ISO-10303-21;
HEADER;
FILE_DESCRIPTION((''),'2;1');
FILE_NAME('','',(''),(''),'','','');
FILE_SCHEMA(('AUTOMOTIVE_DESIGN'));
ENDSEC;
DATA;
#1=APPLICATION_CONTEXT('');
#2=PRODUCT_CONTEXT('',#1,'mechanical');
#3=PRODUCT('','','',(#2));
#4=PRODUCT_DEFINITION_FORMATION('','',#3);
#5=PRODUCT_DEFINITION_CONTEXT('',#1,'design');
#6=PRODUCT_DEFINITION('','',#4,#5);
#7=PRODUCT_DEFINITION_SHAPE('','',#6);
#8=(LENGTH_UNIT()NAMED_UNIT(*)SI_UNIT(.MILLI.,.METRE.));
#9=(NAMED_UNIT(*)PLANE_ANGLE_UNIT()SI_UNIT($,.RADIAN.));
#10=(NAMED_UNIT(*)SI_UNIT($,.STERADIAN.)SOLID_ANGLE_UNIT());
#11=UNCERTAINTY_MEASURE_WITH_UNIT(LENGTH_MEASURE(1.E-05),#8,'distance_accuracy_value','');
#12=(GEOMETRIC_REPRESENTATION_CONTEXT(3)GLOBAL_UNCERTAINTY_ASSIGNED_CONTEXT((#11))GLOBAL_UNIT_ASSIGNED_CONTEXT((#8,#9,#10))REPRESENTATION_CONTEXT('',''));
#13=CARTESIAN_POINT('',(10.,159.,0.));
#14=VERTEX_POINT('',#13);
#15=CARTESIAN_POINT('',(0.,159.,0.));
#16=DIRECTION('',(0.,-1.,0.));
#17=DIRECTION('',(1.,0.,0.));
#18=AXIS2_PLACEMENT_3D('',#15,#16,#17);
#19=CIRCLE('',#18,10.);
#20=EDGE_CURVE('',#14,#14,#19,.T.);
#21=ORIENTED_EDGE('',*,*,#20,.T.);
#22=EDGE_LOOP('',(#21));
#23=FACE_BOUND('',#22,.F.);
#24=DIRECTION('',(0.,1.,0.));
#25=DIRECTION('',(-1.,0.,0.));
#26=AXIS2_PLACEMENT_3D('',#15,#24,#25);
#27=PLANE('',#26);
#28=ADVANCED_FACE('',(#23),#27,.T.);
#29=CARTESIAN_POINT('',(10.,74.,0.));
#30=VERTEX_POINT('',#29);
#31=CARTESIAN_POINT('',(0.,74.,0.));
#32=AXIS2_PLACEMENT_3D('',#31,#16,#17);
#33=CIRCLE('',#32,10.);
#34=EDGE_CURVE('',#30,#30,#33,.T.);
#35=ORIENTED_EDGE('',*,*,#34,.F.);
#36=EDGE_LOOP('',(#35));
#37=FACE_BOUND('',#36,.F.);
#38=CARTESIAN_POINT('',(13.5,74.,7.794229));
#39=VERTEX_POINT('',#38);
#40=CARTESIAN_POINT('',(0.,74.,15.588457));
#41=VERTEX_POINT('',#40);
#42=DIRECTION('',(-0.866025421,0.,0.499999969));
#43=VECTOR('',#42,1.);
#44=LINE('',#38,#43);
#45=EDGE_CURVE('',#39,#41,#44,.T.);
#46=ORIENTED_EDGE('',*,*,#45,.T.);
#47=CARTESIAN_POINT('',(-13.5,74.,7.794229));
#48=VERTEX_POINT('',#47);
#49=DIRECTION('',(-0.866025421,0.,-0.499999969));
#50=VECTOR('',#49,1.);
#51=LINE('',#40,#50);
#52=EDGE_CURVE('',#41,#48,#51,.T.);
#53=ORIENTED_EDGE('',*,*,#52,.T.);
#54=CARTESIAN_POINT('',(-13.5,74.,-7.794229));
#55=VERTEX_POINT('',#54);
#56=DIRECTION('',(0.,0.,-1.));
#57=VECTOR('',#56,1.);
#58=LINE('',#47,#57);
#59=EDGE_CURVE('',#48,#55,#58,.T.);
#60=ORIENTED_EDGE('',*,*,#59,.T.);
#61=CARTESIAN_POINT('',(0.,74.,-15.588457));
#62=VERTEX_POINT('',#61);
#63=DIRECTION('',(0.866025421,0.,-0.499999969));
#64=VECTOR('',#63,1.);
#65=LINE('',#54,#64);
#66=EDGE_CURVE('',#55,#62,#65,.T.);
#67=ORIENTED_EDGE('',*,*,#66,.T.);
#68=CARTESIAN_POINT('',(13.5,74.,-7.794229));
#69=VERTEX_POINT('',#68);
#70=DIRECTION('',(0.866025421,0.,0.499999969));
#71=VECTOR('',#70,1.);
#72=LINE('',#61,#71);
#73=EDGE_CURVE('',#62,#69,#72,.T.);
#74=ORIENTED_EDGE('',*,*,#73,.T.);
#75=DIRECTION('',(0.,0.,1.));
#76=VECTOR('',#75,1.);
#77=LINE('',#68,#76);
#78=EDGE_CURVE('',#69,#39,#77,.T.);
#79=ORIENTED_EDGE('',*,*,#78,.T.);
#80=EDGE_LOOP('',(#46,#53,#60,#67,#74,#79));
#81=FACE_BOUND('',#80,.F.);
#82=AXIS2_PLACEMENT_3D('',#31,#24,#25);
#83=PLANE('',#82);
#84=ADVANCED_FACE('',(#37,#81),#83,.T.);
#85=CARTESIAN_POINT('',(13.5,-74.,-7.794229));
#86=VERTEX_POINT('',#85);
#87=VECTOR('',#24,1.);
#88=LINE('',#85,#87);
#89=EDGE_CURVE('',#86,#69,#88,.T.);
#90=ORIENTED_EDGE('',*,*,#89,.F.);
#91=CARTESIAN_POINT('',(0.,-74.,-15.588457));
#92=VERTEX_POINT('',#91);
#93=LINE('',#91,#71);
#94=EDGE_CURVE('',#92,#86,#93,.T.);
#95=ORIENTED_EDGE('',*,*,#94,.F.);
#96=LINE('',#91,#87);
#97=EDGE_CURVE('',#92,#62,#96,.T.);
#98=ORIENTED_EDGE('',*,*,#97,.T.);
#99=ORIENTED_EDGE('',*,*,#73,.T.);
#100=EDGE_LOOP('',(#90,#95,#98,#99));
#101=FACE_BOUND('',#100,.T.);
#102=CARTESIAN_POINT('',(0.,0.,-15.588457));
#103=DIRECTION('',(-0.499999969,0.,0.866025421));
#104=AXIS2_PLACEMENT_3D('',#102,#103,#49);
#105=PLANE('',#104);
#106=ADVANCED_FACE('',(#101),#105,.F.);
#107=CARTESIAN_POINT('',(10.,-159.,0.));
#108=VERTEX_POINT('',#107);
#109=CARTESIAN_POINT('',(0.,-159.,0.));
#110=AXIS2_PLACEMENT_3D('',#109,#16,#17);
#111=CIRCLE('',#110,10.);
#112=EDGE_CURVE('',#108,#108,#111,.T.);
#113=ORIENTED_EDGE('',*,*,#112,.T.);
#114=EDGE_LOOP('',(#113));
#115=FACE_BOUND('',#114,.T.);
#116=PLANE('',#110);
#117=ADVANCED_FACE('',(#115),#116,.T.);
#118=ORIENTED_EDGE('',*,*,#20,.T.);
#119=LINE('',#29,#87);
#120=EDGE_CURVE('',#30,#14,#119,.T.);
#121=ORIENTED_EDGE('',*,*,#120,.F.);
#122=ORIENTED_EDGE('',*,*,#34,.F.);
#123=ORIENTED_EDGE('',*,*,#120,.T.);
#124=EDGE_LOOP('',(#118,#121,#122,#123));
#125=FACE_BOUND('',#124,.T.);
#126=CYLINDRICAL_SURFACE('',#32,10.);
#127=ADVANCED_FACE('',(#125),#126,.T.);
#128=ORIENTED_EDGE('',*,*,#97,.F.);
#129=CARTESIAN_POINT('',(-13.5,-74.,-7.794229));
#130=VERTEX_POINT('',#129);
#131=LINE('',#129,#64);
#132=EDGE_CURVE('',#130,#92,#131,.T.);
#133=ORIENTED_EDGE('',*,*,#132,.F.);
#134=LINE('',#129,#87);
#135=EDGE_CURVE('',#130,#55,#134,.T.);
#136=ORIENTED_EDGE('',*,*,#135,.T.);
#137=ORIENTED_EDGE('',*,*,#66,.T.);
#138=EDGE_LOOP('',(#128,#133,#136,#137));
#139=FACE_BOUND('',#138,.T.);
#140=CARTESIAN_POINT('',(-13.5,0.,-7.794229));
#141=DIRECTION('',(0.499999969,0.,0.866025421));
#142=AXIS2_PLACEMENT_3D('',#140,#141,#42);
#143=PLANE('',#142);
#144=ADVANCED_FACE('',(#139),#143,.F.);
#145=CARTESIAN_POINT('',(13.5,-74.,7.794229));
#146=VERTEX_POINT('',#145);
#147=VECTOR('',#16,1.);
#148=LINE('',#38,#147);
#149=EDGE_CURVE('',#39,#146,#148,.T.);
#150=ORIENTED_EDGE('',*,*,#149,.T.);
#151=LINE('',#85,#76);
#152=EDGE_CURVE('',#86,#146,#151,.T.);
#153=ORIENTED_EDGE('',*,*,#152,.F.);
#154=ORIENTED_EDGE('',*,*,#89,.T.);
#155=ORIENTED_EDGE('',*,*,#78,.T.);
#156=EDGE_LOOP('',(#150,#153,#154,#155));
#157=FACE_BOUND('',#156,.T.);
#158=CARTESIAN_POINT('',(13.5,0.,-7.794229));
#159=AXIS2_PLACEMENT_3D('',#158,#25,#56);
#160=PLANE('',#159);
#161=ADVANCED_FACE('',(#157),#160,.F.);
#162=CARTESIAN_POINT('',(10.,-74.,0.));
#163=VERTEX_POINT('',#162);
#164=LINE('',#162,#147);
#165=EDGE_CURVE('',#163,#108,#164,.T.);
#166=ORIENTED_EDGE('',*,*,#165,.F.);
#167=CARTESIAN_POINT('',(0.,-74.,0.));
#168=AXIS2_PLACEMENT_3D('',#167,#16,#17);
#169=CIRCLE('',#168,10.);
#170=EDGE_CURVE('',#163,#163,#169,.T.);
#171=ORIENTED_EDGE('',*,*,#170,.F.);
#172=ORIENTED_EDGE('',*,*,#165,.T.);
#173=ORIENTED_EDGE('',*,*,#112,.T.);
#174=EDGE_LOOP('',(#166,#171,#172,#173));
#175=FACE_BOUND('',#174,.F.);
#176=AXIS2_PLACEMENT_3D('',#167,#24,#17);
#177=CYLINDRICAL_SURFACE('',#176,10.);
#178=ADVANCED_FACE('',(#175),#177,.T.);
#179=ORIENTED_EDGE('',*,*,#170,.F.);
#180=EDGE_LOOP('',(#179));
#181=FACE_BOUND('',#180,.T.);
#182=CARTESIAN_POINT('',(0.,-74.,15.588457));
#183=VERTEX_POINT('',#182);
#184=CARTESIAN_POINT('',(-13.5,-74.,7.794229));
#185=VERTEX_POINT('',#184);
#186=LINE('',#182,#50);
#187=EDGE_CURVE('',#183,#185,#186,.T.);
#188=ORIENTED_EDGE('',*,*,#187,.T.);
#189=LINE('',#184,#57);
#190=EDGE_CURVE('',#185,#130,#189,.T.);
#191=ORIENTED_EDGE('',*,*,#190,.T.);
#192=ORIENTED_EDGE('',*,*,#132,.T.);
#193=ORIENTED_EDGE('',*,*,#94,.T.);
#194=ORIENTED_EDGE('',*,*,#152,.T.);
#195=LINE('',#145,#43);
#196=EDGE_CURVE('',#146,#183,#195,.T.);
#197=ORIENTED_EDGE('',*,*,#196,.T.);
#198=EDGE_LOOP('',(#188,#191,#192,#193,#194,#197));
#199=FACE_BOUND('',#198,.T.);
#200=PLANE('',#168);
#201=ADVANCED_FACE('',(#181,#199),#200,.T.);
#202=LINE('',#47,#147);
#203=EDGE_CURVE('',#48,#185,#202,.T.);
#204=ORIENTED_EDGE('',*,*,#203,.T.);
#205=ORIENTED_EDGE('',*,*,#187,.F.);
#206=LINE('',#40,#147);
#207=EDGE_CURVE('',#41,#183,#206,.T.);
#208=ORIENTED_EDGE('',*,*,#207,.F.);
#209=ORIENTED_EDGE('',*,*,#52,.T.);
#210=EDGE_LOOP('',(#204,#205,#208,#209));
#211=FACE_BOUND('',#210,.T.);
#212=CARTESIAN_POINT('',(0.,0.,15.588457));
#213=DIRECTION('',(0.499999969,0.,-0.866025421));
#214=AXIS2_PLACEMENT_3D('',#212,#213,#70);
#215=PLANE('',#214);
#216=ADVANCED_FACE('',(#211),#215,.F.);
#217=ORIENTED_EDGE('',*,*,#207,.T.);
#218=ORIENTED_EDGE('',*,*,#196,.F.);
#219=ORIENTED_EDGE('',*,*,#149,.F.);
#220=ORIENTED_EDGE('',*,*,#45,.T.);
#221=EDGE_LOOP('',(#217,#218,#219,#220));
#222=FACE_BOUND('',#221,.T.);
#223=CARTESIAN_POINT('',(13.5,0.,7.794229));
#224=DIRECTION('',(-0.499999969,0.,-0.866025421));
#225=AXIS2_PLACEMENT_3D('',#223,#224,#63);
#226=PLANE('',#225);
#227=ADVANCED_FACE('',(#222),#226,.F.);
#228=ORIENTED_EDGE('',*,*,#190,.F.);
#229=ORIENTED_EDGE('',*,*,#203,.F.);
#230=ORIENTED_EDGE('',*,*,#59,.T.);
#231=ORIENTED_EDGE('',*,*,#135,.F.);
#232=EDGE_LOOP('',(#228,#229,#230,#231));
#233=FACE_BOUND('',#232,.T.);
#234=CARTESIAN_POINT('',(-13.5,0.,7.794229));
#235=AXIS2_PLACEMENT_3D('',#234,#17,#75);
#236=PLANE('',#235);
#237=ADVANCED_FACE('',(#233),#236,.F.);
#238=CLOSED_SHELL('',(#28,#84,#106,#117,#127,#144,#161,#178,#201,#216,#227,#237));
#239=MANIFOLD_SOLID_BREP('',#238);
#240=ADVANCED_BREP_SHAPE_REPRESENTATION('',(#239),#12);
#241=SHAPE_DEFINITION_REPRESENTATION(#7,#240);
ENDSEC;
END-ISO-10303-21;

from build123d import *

# Parameters (mm, degrees)
F1_DEPTH = 74
F2_R     = 10
F3_DEPTH = 85


with BuildPart() as f1:
    # F0 (on Front) → F1 (new body)
    with BuildSketch(Plane.XZ):
        Polygon((13.5, -7.794229), (13.5, 7.794229), (0, 15.588457), (-13.5, 7.794229), (-13.5, -7.794229), (0, -15.588457), align=None)
    extrude(amount=F1_DEPTH)

    # F2 (on face) → F3 (join)
    with BuildSketch(Plane.XZ.offset(74)):
        Circle(F2_R)
    extrude(amount=F3_DEPTH)

    # F4: F1 across face


with BuildPart() as f1_1:
    add(f1.part)
    add(f1.part.mirror(Plane(origin=(0, 0, 0), x_dir=(1, 0, 0), z_dir=(0, 1, 0))))


solid = f1_1.part
